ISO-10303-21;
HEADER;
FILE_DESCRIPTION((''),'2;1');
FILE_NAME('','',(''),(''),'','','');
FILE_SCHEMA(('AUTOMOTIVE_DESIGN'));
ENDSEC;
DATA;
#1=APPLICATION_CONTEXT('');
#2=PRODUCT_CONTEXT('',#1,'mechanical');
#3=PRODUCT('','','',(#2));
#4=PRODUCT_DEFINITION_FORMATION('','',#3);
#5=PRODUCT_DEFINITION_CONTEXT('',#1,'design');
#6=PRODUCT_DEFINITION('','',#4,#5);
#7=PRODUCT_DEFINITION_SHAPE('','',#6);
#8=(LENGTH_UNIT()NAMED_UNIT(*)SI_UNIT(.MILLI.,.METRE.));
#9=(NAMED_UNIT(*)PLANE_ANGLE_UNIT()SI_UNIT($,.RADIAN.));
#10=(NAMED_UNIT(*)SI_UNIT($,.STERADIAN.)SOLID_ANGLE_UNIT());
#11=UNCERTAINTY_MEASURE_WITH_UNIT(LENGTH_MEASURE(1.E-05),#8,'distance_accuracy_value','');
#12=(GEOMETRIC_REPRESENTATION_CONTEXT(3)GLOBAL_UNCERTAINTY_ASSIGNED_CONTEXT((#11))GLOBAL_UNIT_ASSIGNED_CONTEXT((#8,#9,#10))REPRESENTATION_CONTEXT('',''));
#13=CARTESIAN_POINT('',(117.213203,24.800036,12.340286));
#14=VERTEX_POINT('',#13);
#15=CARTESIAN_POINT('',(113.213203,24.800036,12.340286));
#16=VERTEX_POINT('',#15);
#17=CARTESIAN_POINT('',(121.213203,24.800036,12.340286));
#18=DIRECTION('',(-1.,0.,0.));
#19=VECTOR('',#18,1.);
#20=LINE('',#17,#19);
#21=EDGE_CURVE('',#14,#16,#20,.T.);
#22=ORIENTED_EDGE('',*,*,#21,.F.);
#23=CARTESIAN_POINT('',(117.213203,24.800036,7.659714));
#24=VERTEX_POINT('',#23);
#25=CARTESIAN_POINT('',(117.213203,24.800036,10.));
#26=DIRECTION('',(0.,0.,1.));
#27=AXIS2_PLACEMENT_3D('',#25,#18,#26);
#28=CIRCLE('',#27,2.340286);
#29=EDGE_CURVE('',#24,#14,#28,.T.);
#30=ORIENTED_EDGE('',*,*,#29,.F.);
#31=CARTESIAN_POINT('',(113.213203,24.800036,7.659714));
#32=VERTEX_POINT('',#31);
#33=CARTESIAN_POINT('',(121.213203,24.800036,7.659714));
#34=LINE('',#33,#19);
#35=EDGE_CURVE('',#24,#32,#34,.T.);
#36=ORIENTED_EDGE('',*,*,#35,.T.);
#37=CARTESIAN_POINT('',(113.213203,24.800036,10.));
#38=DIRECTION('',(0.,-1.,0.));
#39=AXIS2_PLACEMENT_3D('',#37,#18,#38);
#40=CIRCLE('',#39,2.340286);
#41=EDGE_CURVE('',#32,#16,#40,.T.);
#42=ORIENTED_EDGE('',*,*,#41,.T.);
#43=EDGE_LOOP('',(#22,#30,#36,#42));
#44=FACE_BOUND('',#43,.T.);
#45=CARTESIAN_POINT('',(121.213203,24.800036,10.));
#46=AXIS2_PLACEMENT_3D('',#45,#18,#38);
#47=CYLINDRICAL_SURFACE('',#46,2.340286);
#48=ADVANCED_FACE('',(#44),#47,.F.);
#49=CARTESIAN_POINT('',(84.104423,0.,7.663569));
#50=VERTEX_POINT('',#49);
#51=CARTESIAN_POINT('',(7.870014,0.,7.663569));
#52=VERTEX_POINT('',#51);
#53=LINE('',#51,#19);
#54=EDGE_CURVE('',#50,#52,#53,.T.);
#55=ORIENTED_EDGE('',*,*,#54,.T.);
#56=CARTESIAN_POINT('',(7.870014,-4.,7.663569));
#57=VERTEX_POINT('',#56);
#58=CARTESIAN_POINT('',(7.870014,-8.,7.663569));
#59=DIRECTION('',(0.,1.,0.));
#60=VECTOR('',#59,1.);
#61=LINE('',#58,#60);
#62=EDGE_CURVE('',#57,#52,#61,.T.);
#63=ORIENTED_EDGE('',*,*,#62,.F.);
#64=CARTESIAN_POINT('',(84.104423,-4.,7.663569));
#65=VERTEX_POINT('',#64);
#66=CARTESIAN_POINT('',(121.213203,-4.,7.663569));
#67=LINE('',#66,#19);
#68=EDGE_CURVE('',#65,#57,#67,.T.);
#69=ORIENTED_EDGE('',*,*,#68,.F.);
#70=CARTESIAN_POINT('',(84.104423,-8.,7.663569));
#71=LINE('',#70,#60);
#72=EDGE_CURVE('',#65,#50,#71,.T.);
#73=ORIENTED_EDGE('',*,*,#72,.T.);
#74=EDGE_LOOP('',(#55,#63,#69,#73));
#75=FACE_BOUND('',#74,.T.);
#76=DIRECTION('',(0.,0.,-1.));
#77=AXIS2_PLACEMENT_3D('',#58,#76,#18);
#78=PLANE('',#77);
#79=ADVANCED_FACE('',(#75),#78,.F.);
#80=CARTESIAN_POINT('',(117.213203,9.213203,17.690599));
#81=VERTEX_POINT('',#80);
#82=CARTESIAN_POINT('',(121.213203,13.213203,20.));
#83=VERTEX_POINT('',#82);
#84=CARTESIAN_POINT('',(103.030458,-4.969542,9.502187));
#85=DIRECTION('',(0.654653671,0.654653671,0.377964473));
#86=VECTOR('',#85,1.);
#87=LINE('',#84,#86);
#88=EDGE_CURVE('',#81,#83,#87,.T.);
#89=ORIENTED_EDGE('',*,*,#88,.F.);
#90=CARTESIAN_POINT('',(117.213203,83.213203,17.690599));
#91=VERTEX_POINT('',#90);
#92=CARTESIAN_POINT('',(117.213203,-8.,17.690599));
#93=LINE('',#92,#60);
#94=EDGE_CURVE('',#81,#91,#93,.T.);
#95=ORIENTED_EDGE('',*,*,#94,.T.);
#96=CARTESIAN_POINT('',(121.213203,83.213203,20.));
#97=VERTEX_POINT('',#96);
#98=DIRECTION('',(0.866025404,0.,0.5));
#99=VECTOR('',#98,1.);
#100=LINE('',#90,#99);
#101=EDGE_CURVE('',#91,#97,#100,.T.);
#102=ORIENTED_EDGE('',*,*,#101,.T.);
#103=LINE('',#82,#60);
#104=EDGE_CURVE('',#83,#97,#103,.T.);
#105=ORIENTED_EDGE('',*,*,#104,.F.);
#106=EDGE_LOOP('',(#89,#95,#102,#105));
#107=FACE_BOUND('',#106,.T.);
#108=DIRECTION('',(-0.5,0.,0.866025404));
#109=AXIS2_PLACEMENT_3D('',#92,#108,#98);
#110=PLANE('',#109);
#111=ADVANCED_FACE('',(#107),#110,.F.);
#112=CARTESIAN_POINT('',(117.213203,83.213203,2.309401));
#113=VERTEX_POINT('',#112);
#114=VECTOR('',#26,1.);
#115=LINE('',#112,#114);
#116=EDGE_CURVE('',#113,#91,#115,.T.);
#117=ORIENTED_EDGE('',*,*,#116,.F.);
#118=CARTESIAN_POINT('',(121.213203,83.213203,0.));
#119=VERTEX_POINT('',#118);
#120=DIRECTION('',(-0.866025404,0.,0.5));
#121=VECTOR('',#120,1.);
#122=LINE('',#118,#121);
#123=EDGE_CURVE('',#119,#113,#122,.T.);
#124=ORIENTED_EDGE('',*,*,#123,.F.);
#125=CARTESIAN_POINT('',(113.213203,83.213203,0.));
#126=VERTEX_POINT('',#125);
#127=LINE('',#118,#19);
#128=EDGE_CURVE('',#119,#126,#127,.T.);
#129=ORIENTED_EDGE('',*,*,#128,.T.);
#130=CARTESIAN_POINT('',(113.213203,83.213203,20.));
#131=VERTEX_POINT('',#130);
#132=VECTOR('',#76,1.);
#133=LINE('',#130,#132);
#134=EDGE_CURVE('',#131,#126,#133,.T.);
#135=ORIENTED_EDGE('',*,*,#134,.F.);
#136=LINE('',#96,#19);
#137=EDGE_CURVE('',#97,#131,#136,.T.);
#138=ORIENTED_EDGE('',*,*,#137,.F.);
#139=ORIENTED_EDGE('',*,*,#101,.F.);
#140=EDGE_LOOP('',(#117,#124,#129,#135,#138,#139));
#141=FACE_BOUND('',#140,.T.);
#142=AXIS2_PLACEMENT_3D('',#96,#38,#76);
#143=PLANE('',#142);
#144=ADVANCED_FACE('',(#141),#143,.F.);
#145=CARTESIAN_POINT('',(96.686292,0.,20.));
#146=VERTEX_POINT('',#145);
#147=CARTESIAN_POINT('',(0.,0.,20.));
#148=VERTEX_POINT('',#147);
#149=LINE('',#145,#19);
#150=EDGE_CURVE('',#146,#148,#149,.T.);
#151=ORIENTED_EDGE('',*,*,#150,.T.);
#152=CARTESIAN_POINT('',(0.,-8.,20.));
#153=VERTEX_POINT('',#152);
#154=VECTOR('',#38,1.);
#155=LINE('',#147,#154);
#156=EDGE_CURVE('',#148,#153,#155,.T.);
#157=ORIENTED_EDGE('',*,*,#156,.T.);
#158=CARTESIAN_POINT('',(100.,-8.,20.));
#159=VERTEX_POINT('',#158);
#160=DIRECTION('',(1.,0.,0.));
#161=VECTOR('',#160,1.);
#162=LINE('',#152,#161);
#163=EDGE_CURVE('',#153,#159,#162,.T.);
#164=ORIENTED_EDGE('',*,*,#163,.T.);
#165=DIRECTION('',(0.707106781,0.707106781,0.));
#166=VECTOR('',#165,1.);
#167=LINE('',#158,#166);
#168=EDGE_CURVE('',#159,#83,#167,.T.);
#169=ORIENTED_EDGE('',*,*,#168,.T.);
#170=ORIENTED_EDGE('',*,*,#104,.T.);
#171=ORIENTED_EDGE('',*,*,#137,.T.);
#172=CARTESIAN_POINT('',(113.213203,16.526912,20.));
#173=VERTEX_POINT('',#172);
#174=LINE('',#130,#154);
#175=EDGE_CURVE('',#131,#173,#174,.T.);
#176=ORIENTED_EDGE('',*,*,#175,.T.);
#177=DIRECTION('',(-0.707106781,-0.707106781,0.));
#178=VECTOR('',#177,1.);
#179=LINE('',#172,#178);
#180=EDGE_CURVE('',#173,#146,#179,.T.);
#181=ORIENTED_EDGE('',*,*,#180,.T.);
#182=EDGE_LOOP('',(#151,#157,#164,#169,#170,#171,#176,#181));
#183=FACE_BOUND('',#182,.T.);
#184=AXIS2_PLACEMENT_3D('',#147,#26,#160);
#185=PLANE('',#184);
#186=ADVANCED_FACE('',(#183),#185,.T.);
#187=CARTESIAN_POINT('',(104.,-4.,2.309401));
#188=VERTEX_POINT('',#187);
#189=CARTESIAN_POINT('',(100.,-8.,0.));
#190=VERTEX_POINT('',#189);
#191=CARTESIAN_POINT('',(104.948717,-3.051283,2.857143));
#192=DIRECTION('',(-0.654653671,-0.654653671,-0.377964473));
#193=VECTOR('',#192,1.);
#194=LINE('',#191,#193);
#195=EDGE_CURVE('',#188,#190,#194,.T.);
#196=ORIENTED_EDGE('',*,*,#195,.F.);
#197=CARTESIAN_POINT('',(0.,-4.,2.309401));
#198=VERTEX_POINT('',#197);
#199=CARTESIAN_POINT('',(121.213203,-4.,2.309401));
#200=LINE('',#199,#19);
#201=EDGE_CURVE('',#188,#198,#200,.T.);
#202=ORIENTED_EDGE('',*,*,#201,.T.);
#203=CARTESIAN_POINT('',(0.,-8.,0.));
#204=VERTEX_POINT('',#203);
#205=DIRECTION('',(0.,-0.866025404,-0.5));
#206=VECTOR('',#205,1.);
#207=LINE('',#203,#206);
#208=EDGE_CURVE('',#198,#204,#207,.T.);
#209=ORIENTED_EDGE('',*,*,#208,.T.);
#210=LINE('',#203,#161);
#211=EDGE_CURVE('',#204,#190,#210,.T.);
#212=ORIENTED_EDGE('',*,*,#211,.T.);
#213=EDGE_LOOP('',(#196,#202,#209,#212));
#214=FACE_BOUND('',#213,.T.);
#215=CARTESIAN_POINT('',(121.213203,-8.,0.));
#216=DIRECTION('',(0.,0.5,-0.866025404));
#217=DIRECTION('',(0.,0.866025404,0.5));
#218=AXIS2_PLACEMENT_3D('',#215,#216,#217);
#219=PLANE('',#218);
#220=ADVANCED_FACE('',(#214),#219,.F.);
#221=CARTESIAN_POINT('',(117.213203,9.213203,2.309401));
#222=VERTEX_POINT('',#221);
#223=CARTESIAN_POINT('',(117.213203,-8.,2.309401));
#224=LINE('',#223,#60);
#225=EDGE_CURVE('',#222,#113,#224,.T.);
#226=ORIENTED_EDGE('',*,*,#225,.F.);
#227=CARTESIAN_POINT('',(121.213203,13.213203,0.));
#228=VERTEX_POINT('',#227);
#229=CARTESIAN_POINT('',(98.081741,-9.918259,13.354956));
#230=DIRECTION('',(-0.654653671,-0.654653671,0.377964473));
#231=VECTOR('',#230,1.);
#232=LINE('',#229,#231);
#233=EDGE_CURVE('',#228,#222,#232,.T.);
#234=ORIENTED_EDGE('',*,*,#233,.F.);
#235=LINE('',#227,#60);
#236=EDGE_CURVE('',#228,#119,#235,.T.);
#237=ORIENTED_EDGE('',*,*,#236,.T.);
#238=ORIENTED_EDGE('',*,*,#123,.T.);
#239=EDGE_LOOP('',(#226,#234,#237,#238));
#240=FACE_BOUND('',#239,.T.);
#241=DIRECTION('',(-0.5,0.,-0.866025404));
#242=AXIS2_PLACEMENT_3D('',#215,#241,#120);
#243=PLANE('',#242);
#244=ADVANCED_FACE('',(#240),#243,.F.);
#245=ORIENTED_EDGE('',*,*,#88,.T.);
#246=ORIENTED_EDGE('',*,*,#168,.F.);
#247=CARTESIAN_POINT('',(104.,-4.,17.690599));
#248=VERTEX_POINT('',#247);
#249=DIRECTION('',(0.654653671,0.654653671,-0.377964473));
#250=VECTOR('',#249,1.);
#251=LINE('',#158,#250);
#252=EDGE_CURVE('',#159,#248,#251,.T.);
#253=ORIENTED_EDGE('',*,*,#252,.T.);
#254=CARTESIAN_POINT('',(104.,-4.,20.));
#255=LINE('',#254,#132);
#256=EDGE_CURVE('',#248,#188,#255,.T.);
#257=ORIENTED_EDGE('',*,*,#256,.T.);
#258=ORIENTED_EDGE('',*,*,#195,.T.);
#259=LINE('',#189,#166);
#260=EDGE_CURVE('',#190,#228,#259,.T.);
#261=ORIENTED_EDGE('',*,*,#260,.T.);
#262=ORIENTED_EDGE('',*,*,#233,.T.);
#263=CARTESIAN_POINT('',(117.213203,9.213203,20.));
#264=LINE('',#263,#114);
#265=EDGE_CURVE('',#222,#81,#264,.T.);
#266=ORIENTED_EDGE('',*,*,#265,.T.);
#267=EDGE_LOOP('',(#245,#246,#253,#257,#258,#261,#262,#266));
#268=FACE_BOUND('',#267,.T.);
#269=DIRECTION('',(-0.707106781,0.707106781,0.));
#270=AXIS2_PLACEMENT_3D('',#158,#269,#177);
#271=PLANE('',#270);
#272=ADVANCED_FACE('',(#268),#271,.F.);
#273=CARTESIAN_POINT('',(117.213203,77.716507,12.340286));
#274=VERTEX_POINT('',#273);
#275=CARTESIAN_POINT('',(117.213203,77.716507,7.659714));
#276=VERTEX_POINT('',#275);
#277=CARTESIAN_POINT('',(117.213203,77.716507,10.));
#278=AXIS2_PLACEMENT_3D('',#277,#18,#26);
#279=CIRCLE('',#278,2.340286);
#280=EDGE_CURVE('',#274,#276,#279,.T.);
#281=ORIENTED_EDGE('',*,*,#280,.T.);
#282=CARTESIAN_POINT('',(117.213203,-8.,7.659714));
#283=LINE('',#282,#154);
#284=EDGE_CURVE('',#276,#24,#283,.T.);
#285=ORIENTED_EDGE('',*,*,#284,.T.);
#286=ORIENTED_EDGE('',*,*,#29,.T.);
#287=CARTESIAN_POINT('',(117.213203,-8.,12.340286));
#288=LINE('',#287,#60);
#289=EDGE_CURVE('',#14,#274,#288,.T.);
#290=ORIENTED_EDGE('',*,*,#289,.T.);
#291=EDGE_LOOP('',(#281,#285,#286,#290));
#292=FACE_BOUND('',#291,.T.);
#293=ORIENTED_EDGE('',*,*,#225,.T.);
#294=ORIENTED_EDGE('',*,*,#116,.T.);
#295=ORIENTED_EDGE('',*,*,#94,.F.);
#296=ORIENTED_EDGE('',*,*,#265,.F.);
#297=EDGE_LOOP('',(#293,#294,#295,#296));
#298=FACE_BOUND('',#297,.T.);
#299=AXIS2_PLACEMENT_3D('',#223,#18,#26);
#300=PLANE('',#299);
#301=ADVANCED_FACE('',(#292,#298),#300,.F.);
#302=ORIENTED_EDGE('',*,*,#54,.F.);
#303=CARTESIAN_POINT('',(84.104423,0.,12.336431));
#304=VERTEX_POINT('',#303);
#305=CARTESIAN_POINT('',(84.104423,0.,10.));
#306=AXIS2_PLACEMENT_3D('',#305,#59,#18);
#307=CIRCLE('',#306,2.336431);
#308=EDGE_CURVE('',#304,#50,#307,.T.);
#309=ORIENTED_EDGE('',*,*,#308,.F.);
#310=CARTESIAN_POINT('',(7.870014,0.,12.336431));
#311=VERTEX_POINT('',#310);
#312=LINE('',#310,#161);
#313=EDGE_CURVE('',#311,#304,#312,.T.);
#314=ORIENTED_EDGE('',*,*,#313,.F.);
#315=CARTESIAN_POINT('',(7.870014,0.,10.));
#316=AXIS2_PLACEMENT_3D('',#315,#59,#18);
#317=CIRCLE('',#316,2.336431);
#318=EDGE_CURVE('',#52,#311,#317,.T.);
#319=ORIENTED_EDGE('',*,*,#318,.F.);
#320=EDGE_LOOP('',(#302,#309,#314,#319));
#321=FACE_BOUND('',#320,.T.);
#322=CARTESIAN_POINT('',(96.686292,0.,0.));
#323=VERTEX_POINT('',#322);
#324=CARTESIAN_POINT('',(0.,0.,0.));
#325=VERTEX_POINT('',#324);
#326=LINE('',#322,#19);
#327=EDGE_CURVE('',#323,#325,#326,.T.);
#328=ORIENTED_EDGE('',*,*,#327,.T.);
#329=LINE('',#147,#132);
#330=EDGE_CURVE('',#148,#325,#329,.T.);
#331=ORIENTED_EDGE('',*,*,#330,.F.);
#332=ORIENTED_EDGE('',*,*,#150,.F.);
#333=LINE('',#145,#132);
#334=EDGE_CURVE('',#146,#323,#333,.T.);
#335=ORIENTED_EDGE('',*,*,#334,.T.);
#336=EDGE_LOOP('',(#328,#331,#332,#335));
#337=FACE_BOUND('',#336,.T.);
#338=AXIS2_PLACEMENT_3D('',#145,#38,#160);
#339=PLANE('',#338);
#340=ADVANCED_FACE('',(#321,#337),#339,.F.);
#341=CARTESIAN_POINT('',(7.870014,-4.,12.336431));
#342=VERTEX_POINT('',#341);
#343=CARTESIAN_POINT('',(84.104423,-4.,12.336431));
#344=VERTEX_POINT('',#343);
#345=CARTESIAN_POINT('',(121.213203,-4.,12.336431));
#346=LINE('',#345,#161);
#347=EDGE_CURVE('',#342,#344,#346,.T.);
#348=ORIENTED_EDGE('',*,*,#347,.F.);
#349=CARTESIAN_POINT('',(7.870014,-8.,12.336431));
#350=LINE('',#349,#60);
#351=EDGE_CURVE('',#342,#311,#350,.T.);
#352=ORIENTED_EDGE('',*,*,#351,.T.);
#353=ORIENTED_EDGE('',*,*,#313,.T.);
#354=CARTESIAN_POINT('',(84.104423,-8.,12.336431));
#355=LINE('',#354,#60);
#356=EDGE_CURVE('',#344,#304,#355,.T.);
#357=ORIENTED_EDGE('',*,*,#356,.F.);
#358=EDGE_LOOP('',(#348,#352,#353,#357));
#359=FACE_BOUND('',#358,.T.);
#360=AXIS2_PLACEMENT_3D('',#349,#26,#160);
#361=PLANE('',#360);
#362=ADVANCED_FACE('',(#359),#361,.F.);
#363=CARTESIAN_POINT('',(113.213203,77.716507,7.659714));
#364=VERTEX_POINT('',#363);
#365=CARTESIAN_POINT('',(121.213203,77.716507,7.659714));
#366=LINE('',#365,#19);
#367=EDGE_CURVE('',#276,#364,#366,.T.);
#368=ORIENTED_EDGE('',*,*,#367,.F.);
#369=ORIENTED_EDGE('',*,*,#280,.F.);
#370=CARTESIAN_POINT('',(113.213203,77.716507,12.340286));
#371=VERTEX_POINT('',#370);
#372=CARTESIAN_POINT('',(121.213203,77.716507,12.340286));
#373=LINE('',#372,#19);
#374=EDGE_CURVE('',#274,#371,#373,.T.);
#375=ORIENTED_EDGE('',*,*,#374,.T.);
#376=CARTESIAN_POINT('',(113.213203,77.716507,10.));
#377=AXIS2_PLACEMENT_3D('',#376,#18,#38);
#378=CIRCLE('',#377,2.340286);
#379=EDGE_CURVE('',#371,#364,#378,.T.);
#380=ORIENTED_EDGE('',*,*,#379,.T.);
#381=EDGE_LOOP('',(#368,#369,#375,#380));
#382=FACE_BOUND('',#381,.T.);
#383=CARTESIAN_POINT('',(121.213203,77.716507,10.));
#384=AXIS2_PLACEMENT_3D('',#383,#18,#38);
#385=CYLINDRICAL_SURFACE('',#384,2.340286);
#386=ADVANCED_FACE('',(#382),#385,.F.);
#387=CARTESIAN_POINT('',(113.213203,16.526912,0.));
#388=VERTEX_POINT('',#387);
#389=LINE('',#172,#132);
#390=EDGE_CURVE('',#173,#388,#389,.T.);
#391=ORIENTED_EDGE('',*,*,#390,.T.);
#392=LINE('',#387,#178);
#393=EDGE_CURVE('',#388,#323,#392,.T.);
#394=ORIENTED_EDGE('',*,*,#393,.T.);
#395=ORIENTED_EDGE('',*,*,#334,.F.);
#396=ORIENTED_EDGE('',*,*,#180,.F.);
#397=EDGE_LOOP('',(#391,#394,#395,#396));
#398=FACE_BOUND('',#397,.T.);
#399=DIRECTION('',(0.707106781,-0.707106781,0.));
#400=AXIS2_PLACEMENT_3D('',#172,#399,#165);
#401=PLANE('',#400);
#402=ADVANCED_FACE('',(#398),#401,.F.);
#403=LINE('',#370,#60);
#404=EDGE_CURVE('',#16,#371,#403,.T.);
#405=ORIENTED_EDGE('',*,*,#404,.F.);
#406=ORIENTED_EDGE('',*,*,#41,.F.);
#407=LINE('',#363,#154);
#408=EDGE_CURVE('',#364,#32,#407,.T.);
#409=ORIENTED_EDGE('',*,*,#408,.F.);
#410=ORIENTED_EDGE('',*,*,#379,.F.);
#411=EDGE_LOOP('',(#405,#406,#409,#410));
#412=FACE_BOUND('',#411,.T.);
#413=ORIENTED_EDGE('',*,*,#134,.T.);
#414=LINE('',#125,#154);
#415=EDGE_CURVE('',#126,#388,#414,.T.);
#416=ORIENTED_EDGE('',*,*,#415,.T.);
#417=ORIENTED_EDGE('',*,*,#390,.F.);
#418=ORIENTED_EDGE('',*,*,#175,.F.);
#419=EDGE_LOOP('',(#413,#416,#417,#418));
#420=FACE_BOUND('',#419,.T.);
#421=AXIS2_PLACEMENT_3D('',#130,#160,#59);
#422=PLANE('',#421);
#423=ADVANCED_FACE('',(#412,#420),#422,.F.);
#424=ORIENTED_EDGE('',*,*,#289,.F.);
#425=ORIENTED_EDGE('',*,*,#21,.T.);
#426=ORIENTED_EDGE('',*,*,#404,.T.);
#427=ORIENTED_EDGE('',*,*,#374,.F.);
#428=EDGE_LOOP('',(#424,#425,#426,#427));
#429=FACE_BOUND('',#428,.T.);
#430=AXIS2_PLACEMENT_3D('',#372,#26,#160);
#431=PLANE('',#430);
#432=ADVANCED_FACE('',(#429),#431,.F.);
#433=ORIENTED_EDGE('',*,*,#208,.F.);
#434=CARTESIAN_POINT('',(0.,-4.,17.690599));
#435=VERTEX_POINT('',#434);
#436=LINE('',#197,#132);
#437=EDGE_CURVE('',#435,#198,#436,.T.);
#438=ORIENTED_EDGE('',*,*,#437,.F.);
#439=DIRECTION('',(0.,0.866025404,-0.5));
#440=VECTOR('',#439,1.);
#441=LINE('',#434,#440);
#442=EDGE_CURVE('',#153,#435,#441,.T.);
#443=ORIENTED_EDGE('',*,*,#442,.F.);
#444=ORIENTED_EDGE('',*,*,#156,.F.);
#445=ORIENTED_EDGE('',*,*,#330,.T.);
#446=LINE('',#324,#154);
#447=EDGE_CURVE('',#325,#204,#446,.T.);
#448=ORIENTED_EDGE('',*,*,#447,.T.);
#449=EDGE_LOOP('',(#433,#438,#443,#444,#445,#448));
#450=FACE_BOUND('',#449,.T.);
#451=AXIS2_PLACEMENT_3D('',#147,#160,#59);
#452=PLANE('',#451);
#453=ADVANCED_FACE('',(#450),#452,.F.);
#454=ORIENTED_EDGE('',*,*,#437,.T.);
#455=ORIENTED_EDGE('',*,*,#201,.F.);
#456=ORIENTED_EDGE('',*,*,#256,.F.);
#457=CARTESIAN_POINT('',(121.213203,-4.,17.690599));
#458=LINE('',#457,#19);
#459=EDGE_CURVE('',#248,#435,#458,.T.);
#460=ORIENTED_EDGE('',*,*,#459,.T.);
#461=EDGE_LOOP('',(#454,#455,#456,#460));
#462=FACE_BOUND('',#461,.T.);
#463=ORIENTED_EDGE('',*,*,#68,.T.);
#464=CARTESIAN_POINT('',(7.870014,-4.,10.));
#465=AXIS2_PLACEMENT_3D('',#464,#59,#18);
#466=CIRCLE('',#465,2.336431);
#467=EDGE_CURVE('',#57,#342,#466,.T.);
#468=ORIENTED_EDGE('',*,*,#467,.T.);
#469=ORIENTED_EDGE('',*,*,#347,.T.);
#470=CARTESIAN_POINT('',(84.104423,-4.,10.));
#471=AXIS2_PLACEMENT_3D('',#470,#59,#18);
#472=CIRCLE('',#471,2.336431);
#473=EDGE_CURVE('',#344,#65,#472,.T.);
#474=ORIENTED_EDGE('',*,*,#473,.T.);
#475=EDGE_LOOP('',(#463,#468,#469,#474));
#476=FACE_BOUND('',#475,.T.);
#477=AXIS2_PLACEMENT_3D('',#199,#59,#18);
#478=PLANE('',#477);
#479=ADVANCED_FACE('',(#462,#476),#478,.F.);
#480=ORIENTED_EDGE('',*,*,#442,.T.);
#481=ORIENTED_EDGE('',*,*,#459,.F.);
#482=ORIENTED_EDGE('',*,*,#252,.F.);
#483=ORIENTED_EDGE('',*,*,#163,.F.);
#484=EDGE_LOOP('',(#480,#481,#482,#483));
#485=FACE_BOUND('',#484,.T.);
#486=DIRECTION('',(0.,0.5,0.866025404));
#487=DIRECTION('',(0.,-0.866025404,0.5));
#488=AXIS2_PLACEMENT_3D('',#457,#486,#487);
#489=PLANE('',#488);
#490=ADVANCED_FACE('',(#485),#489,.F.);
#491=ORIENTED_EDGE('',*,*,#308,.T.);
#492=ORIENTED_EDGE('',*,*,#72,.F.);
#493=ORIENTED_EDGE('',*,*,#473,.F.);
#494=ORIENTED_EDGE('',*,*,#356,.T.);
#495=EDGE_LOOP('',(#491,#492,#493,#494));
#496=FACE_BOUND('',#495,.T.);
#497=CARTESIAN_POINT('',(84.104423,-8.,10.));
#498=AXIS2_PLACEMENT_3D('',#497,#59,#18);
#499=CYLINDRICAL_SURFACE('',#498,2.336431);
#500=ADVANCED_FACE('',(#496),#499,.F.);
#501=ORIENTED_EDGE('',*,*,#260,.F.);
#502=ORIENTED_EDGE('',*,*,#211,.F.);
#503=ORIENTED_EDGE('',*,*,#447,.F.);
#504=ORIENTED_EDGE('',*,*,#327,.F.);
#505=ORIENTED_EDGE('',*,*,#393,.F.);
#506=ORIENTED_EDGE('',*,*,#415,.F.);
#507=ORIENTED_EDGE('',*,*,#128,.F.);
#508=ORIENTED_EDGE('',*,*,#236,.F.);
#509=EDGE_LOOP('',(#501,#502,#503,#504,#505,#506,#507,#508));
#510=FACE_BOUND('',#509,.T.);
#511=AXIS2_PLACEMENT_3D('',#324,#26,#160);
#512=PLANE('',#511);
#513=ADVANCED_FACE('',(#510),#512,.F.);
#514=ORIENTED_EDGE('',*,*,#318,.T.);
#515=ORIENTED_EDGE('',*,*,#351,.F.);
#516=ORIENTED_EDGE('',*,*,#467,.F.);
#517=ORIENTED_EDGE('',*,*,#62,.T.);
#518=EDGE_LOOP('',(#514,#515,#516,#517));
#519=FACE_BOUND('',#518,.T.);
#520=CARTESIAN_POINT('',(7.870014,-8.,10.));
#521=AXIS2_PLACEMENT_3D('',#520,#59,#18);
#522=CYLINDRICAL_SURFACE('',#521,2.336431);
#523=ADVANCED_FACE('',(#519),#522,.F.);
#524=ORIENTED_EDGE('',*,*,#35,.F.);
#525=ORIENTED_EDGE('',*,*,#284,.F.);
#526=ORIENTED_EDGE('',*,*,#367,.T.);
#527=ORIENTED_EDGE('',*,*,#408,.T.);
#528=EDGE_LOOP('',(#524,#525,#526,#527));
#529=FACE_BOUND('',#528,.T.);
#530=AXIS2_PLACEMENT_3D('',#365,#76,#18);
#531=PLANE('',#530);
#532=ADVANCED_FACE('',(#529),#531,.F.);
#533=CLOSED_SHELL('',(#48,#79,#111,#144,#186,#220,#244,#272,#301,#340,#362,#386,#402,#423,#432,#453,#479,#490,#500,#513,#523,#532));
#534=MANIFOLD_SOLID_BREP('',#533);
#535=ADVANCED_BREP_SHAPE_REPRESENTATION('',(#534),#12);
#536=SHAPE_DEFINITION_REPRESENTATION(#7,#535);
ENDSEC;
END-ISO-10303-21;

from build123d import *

# Parameters (mm, degrees)
EXTRUDE_1_DEPTH     = 20
CUT_EXTRUDE_3_DEPTH = 149.381528207
CUT_EXTRUDE_4_DEPTH = 154.011402085
CUT_EXTRUDE_5_DEPTH = 149.381528207
CUT_EXTRUDE_6_DEPTH = 142.921339686


with BuildPart() as part:
    # Эскиз1 → Бобышка-Вытянуть1 (new body)
    with BuildSketch(Plane.XY):
        Polygon((0, 0), (0, -8), (100, -8), (121.213203436, 13.213203436), (121.213203436, 83.213203436), (113.213203436, 83.213203436), (113.213203436, 16.526911935), (96.686291501, 0), align=None)
    extrude(amount=EXTRUDE_1_DEPTH)

    # Эскиз4 → Вырез-Вытянуть3 (cut, through all)
    with BuildSketch(Plane.ZY):
        Polygon((0, -8), (2.309401077, -4), (17.690598923, -4), (20, -8), align=None)
    extrude(amount=-CUT_EXTRUDE_3_DEPTH, mode=Mode.SUBTRACT)

    # Эскиз5 → Вырез-Вытянуть4 (cut, through all)
    with BuildSketch(Plane(origin=(0, 83.213203436, 0), x_dir=(1, 0, 0), z_dir=(0, 1, 0))):
        Polygon((121.213203436, 0), (117.213203436, -2.309401077), (117.213203436, -17.690598923), (121.213203436, -20), align=None)
    extrude(amount=-CUT_EXTRUDE_4_DEPTH, mode=Mode.SUBTRACT)

    # Эскиз6 → Вырез-Вытянуть5 (cut, through all)
    with BuildSketch(Plane(origin=(0, 0, 0), x_dir=(1, 0, 0), z_dir=(0, 1, 0))):
        with BuildLine():
            Line((7.870014132, -7.663568904), (84.104423022, -7.663568904))
            ThreePointArc((84.104423022, -7.663568904), (86.440854117, -10), (84.104423022, -12.336431096))
            Line((84.104423022, -12.336431096), (7.870014132, -12.336431096))
            ThreePointArc((7.870014132, -12.336431096), (5.533583037, -10), (7.870014132, -7.663568904))
        make_face()
    extrude(amount=-CUT_EXTRUDE_5_DEPTH, mode=Mode.SUBTRACT)

    # Эскиз7 → Вырез-Вытянуть6 (cut, through all)
    with BuildSketch(Plane.ZY.offset(-113.213203436)):
        with BuildLine():
            Line((12.340286207, 77.716506994), (12.340286207, 24.800035528))
            ThreePointArc((12.340286207, 24.800035528), (10, 22.45974932), (7.659713793, 24.800035528))
            Line((7.659713793, 24.800035528), (7.659713793, 77.716506994))
            ThreePointArc((7.659713793, 77.716506994), (10, 80.056793201), (12.340286207, 77.716506994))
        make_face()
    extrude(amount=-CUT_EXTRUDE_6_DEPTH, mode=Mode.SUBTRACT)


solid = part.part
